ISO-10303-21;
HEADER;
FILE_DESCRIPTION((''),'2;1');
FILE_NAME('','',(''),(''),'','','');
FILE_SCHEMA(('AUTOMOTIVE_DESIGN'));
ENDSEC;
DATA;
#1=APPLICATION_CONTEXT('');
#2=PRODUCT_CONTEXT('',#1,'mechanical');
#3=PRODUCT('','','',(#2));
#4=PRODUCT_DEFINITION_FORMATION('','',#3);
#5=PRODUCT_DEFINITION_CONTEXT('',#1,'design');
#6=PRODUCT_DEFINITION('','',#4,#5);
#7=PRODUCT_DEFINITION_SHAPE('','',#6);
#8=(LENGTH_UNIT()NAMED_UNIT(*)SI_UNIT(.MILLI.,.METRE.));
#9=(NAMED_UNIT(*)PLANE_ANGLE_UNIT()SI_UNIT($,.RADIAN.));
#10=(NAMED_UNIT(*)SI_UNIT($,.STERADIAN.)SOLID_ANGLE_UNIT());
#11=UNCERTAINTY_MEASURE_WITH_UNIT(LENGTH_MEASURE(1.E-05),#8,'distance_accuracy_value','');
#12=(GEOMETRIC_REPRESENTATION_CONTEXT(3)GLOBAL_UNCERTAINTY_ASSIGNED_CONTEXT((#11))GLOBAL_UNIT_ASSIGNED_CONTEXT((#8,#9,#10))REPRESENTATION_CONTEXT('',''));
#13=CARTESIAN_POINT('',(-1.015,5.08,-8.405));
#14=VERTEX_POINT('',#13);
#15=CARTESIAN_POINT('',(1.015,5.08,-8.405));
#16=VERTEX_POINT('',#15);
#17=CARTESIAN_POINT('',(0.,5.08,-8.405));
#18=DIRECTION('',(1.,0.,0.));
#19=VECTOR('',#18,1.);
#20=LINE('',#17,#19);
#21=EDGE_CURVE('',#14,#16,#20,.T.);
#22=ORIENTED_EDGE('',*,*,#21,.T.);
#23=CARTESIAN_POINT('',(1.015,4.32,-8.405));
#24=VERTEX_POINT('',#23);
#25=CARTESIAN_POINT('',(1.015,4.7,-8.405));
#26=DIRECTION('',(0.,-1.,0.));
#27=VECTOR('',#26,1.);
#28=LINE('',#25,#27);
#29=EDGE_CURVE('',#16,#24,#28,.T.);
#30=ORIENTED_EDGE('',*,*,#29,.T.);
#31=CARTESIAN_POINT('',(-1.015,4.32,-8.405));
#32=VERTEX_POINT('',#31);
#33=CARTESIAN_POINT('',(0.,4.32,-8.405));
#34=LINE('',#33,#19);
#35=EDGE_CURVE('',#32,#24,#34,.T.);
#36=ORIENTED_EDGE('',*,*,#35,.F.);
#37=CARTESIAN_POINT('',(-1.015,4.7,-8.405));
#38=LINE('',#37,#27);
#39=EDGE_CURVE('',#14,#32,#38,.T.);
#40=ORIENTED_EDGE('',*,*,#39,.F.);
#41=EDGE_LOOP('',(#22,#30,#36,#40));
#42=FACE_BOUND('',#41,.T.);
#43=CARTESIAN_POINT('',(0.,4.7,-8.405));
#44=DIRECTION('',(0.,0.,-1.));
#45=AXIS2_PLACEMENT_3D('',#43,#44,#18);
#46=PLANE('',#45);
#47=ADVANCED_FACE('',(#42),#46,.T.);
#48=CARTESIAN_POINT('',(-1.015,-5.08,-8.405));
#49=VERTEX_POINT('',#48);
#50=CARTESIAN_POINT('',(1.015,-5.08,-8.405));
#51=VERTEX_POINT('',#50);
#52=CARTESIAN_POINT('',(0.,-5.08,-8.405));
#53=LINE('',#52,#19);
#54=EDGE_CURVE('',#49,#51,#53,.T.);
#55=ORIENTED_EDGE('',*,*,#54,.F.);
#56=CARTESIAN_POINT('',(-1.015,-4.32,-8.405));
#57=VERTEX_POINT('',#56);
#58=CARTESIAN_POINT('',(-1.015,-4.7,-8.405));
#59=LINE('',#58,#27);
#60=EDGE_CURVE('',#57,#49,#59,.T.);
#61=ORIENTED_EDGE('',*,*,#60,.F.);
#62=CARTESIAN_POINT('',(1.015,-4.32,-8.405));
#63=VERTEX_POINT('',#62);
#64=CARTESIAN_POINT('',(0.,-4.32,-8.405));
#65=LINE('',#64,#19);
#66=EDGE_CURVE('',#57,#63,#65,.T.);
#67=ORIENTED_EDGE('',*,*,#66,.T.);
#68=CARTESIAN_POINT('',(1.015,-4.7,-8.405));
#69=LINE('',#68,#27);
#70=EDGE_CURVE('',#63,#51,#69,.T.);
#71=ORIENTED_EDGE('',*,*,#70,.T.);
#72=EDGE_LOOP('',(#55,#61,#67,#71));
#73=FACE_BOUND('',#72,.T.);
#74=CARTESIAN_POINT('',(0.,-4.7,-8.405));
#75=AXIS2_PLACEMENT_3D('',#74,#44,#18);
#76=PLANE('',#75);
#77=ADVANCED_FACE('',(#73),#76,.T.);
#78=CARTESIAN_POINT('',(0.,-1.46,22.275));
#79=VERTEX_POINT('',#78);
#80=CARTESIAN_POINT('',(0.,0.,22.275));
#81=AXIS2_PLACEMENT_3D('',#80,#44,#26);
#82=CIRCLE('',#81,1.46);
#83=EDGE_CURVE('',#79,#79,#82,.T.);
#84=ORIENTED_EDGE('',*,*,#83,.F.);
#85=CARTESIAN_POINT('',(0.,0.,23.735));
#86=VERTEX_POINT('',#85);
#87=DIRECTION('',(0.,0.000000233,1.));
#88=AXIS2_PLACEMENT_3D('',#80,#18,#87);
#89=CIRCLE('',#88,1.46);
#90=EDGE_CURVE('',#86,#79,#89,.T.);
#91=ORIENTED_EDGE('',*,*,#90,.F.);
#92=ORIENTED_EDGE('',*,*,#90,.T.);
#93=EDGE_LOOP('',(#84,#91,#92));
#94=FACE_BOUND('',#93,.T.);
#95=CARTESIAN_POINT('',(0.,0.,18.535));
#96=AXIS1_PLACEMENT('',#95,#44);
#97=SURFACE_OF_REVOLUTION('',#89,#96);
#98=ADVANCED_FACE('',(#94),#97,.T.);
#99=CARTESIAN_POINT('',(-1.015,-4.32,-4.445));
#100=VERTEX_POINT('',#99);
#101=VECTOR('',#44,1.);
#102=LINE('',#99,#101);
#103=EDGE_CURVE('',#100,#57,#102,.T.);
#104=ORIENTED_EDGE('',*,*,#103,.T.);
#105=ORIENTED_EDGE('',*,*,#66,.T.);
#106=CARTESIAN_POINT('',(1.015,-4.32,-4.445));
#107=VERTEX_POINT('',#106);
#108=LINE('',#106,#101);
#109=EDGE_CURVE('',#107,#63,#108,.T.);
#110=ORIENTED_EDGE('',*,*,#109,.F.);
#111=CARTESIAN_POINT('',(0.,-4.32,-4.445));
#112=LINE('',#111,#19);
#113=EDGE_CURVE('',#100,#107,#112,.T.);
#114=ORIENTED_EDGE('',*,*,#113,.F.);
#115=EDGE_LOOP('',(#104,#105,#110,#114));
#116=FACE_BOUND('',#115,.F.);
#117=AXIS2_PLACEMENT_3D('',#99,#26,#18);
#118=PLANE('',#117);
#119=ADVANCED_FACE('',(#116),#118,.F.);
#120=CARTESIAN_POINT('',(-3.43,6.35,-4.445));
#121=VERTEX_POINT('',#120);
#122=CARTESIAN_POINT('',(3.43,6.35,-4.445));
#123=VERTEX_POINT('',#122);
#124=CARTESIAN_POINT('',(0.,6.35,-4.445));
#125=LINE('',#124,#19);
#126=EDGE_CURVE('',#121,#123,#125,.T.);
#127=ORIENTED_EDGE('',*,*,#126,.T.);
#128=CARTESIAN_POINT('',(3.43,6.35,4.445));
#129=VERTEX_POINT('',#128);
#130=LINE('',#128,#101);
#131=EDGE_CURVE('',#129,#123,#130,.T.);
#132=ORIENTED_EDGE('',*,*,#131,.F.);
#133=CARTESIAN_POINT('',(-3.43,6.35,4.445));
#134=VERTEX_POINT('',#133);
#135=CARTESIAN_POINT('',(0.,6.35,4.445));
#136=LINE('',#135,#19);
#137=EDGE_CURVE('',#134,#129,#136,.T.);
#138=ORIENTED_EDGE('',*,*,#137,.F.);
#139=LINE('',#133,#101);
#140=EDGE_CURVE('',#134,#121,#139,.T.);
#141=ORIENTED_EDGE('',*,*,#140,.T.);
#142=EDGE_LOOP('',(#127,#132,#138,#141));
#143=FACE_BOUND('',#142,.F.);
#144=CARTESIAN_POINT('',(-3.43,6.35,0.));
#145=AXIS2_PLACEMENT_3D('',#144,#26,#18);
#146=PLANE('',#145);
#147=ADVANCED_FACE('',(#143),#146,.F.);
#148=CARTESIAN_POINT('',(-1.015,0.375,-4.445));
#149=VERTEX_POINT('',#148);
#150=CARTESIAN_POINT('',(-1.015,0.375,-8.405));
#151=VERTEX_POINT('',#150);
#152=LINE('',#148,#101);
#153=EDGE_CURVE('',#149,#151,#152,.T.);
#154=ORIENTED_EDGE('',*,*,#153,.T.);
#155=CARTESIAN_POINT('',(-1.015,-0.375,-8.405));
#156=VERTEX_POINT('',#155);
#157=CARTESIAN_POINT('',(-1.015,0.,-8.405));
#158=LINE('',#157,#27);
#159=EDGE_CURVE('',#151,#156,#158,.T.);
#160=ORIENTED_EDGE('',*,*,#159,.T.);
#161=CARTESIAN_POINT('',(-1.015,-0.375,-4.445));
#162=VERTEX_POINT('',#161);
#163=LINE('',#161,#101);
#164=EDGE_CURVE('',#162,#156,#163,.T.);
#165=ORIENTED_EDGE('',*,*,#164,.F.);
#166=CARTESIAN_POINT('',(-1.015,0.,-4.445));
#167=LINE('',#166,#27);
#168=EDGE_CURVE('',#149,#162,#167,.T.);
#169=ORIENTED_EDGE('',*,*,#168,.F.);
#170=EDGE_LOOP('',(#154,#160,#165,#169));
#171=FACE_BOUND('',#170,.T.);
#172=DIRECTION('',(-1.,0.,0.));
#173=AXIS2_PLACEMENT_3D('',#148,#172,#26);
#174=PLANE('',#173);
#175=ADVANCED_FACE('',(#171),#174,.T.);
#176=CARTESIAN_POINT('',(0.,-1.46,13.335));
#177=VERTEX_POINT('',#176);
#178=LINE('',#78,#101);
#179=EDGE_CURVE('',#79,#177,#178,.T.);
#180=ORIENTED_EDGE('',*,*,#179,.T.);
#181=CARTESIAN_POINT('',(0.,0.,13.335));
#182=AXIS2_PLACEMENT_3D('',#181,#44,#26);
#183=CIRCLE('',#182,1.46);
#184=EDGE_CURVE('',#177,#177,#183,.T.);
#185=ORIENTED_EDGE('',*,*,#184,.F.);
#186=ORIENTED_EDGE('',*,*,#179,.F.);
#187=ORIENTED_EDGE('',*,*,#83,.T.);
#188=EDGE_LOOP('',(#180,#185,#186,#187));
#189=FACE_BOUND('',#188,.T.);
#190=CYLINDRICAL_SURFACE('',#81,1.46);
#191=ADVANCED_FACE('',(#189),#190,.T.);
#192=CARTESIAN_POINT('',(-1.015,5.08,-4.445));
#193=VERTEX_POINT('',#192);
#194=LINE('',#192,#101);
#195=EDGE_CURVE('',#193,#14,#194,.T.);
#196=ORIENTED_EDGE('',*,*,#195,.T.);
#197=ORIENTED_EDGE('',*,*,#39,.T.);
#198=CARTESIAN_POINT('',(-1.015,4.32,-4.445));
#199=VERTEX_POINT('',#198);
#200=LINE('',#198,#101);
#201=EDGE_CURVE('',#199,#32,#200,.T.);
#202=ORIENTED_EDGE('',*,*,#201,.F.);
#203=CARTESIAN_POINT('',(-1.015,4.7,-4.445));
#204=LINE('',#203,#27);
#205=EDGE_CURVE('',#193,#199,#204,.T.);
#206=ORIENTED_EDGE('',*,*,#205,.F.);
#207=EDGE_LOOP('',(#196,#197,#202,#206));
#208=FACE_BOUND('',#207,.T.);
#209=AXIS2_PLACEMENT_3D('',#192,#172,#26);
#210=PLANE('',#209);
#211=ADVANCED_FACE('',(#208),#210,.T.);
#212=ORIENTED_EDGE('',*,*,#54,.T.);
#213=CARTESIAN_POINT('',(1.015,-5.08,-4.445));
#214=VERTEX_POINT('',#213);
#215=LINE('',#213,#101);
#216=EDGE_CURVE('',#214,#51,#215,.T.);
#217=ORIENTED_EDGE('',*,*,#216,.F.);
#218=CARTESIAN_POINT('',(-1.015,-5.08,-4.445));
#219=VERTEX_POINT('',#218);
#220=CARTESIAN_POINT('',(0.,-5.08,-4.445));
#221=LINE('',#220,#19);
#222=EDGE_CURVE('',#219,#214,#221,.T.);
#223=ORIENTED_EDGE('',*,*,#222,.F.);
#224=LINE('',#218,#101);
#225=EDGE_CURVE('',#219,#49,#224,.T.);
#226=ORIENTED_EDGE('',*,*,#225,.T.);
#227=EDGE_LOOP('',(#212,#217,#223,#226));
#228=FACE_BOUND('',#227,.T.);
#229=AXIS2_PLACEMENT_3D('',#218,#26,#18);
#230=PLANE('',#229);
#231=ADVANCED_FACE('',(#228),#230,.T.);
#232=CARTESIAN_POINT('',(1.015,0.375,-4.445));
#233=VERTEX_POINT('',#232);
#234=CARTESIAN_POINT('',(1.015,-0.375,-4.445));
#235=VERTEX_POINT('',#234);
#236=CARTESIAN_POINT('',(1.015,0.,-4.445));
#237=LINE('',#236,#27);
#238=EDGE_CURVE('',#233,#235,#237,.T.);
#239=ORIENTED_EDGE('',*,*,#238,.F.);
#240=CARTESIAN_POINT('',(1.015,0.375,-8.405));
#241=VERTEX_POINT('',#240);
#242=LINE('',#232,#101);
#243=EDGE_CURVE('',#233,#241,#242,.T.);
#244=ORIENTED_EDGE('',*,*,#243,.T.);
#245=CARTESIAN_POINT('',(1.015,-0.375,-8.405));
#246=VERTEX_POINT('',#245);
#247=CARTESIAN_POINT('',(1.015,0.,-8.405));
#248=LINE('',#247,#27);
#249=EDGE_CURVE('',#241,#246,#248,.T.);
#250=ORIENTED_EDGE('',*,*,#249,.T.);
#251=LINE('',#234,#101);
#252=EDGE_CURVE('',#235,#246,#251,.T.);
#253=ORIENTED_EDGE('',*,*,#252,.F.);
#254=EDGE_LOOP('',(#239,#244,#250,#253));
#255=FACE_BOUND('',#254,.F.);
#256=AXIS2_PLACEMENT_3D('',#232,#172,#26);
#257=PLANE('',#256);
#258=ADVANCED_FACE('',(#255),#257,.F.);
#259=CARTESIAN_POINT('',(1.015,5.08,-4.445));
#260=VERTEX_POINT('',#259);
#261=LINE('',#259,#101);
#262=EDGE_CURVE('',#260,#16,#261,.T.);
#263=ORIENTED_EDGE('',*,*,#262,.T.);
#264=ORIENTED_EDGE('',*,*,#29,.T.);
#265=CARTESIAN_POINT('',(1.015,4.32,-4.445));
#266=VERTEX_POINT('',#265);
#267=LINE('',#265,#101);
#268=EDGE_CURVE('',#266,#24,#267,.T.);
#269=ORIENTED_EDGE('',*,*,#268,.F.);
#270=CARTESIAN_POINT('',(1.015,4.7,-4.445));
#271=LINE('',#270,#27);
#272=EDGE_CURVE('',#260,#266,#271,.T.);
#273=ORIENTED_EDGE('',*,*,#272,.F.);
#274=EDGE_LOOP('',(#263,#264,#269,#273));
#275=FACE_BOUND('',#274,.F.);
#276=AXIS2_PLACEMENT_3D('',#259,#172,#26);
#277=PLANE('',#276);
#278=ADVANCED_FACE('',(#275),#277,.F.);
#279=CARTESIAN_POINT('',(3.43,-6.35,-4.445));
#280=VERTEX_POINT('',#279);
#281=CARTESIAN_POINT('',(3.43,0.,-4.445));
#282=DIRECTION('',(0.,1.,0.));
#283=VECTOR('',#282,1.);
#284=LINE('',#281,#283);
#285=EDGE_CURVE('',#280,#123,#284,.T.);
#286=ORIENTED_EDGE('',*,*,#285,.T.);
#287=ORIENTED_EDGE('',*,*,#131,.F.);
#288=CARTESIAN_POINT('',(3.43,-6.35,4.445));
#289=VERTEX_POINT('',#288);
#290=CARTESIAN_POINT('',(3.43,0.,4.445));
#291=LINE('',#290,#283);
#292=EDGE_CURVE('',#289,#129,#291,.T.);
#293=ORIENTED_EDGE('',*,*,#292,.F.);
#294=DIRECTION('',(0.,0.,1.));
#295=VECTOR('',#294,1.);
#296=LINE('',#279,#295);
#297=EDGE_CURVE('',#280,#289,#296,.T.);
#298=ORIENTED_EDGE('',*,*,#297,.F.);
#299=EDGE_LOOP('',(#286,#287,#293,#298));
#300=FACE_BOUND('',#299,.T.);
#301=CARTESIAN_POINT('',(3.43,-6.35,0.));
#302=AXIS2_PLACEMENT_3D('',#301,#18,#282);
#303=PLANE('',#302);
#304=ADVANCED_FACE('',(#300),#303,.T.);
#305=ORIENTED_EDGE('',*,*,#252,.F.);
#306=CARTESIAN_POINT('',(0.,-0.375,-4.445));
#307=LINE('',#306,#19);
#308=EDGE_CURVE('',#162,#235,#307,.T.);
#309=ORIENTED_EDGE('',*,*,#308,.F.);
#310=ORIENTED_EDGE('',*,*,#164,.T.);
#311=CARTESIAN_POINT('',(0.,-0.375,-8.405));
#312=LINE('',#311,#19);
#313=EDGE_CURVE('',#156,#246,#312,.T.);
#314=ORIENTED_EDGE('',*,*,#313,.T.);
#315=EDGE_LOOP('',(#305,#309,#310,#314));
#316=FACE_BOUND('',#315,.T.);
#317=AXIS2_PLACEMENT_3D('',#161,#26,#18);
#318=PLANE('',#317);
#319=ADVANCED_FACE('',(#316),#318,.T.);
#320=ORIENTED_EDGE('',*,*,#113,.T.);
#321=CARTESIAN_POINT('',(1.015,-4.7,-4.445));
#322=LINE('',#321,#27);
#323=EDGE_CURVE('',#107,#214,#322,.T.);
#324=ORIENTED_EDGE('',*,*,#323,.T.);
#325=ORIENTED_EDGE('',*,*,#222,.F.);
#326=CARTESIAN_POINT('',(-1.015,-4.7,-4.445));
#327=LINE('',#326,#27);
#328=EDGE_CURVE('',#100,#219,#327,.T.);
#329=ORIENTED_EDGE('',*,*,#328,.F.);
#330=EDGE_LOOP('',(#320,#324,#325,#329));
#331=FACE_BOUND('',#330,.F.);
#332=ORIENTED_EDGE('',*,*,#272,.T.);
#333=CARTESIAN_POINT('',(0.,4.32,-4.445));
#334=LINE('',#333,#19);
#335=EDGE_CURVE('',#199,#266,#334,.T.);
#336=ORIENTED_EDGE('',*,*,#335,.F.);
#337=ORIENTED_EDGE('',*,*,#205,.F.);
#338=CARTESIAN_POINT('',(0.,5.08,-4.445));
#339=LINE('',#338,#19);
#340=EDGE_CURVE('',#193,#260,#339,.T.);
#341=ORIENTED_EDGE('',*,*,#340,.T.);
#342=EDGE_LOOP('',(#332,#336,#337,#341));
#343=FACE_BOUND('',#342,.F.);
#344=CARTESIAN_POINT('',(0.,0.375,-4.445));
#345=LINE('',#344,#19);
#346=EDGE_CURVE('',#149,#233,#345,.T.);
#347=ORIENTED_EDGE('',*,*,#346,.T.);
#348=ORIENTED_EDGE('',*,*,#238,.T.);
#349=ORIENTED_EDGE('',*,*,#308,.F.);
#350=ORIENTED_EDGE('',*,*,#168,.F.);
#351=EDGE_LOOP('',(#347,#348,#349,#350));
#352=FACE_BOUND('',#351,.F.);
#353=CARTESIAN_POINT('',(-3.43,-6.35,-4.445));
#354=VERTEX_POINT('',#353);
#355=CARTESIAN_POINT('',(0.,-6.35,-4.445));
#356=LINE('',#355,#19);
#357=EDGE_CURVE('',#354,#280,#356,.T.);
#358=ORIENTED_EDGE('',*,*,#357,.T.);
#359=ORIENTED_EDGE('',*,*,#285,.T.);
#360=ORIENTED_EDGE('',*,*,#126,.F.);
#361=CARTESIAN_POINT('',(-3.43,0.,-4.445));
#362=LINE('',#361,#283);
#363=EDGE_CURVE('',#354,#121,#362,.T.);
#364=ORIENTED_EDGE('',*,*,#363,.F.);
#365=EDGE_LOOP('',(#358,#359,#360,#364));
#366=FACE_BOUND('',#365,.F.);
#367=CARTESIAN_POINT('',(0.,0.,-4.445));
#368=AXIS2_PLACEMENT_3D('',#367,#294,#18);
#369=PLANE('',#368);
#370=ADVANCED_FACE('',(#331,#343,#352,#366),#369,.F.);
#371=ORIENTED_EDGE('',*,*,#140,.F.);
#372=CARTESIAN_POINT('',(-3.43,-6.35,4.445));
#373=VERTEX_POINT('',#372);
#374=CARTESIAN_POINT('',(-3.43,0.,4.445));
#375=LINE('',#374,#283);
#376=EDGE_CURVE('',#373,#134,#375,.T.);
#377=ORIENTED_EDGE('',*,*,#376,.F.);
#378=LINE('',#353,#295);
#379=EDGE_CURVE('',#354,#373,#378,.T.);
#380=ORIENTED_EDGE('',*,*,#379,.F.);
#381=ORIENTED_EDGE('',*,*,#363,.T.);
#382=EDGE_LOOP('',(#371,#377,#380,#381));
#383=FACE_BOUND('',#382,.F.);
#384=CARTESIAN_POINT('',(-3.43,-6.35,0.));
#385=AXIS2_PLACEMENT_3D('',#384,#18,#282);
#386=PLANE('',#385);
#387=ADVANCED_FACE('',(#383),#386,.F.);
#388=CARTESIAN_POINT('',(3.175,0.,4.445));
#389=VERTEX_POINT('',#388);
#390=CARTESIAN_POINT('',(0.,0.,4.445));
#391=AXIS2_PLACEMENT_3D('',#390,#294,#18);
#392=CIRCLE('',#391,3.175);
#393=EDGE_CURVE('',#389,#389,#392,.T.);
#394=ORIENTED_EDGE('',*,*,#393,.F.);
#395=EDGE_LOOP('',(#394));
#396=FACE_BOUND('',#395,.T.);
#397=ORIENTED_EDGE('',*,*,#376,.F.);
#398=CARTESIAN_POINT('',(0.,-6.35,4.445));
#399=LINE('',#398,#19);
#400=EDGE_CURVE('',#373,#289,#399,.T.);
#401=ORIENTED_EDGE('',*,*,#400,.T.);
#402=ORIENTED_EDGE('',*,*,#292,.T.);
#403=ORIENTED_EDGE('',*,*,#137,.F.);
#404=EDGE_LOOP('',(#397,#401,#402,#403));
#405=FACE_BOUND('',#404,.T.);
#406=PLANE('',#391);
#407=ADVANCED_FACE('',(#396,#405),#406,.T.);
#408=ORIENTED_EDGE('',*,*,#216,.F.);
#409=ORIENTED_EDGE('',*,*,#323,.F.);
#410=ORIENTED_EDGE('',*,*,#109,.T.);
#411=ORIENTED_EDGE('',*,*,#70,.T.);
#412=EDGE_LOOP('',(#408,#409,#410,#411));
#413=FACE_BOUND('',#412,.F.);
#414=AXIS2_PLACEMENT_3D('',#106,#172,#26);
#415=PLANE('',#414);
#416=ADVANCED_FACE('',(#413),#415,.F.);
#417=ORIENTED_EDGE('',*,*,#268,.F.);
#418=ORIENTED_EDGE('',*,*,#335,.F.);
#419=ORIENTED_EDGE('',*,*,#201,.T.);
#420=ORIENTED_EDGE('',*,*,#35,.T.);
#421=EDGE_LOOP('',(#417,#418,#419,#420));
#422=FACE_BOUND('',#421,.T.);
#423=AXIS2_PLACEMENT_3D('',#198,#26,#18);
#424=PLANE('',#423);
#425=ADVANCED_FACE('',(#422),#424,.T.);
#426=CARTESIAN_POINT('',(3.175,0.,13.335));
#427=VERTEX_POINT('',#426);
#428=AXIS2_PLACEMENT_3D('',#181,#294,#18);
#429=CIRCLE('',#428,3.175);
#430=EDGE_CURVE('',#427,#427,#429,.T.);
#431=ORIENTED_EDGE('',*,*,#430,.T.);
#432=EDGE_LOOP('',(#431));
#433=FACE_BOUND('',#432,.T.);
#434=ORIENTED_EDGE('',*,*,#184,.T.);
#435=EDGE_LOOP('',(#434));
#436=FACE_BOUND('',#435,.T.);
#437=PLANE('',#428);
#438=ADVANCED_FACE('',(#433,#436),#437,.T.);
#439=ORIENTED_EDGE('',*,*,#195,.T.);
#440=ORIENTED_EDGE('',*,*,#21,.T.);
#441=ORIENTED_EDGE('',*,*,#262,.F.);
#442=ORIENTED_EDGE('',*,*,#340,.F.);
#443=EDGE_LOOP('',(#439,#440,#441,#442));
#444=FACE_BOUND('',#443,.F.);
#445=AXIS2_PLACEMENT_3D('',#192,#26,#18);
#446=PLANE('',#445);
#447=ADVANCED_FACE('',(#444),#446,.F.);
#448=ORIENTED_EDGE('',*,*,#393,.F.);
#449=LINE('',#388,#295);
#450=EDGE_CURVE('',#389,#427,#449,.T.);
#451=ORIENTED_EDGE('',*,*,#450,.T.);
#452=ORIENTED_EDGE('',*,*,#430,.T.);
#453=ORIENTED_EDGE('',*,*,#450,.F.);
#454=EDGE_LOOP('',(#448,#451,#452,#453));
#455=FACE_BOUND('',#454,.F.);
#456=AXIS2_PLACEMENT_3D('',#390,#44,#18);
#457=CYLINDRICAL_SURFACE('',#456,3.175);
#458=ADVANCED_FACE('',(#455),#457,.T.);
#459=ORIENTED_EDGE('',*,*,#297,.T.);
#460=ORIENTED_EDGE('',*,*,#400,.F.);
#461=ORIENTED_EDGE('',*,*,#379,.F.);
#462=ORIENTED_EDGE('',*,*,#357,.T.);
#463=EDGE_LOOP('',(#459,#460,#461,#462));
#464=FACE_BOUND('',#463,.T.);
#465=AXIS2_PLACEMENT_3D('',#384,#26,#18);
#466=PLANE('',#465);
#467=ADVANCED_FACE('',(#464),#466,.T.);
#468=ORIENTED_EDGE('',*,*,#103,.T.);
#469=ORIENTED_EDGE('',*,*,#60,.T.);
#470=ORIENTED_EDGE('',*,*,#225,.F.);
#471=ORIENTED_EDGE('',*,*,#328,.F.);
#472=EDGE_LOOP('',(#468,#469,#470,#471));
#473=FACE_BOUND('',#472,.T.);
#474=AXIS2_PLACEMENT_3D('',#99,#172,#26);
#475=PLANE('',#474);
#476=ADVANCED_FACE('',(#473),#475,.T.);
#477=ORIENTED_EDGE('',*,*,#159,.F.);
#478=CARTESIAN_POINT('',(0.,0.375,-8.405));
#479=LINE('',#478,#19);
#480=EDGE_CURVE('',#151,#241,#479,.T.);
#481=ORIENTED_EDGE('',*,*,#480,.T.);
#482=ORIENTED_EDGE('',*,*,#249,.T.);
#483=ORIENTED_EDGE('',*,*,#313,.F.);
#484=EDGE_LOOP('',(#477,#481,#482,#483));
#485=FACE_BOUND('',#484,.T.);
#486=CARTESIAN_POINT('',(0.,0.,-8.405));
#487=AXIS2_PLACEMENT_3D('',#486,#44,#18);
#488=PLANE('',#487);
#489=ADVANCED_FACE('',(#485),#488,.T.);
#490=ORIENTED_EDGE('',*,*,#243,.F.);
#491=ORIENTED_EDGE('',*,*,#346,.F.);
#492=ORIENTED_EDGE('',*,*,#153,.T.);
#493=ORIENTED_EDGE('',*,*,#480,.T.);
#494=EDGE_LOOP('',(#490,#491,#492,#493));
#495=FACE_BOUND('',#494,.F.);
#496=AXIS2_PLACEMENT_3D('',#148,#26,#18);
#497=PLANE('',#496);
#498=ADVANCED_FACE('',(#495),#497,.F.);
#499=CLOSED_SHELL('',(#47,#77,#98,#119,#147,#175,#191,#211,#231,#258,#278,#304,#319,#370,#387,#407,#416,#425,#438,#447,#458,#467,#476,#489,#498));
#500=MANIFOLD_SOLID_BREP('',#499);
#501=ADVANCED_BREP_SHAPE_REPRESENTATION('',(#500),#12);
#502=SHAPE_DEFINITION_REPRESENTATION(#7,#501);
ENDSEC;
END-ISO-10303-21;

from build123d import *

# Parameters (mm, degrees)
F0_W     = 6.86
F0_H     = 12.7
F1_DEPTH = 4.445
F2_R     = 3.175
F3_DEPTH = 8.89
F4_W     = 2.03
F4_H     = 0.75
F4_H_2   = 0.76
F5_DEPTH = 3.96


with BuildPart() as f1:
    # F0 (on Top) → F1 (new body, symmetric)
    with BuildSketch(Plane.XY):
        Rectangle(F0_W, F0_H)
    extrude(amount=F1_DEPTH, both=True)

    # F2 (on face) → F3 (join)
    with BuildSketch(Plane.XY.offset(4.445)):
        Circle(F2_R)
    extrude(amount=F3_DEPTH)

    # F4 (on face) → F5 (join)
    with BuildSketch(Plane(origin=(0, 0, -4.445), x_dir=(1, 0, 0), z_dir=(0, 0, -1))):
        Rectangle(F4_W, F4_H)
        with Locations((0, -4.7)):
            Rectangle(F4_W, F4_H_2)
        with Locations((0, 4.7)):
            Rectangle(F4_W, F4_H_2)
    extrude(amount=F5_DEPTH)

    # F6 (on Right) → F7 (revolve)
    with BuildSketch(Plane.YZ):
        with BuildLine():
            Line((-1.46, 22.275), (-1.46, 13.335))
            Line((-1.46, 13.335), (0, 13.335))
            Line((0, 13.335), (0, 23.735))
            ThreePointArc((0, 23.735), (-1.032376, 23.307376), (-1.46, 22.275))
        make_face()
    revolve(axis=Axis((0, 0, 18.535), (0, 0, -1)))


solid = f1.part
